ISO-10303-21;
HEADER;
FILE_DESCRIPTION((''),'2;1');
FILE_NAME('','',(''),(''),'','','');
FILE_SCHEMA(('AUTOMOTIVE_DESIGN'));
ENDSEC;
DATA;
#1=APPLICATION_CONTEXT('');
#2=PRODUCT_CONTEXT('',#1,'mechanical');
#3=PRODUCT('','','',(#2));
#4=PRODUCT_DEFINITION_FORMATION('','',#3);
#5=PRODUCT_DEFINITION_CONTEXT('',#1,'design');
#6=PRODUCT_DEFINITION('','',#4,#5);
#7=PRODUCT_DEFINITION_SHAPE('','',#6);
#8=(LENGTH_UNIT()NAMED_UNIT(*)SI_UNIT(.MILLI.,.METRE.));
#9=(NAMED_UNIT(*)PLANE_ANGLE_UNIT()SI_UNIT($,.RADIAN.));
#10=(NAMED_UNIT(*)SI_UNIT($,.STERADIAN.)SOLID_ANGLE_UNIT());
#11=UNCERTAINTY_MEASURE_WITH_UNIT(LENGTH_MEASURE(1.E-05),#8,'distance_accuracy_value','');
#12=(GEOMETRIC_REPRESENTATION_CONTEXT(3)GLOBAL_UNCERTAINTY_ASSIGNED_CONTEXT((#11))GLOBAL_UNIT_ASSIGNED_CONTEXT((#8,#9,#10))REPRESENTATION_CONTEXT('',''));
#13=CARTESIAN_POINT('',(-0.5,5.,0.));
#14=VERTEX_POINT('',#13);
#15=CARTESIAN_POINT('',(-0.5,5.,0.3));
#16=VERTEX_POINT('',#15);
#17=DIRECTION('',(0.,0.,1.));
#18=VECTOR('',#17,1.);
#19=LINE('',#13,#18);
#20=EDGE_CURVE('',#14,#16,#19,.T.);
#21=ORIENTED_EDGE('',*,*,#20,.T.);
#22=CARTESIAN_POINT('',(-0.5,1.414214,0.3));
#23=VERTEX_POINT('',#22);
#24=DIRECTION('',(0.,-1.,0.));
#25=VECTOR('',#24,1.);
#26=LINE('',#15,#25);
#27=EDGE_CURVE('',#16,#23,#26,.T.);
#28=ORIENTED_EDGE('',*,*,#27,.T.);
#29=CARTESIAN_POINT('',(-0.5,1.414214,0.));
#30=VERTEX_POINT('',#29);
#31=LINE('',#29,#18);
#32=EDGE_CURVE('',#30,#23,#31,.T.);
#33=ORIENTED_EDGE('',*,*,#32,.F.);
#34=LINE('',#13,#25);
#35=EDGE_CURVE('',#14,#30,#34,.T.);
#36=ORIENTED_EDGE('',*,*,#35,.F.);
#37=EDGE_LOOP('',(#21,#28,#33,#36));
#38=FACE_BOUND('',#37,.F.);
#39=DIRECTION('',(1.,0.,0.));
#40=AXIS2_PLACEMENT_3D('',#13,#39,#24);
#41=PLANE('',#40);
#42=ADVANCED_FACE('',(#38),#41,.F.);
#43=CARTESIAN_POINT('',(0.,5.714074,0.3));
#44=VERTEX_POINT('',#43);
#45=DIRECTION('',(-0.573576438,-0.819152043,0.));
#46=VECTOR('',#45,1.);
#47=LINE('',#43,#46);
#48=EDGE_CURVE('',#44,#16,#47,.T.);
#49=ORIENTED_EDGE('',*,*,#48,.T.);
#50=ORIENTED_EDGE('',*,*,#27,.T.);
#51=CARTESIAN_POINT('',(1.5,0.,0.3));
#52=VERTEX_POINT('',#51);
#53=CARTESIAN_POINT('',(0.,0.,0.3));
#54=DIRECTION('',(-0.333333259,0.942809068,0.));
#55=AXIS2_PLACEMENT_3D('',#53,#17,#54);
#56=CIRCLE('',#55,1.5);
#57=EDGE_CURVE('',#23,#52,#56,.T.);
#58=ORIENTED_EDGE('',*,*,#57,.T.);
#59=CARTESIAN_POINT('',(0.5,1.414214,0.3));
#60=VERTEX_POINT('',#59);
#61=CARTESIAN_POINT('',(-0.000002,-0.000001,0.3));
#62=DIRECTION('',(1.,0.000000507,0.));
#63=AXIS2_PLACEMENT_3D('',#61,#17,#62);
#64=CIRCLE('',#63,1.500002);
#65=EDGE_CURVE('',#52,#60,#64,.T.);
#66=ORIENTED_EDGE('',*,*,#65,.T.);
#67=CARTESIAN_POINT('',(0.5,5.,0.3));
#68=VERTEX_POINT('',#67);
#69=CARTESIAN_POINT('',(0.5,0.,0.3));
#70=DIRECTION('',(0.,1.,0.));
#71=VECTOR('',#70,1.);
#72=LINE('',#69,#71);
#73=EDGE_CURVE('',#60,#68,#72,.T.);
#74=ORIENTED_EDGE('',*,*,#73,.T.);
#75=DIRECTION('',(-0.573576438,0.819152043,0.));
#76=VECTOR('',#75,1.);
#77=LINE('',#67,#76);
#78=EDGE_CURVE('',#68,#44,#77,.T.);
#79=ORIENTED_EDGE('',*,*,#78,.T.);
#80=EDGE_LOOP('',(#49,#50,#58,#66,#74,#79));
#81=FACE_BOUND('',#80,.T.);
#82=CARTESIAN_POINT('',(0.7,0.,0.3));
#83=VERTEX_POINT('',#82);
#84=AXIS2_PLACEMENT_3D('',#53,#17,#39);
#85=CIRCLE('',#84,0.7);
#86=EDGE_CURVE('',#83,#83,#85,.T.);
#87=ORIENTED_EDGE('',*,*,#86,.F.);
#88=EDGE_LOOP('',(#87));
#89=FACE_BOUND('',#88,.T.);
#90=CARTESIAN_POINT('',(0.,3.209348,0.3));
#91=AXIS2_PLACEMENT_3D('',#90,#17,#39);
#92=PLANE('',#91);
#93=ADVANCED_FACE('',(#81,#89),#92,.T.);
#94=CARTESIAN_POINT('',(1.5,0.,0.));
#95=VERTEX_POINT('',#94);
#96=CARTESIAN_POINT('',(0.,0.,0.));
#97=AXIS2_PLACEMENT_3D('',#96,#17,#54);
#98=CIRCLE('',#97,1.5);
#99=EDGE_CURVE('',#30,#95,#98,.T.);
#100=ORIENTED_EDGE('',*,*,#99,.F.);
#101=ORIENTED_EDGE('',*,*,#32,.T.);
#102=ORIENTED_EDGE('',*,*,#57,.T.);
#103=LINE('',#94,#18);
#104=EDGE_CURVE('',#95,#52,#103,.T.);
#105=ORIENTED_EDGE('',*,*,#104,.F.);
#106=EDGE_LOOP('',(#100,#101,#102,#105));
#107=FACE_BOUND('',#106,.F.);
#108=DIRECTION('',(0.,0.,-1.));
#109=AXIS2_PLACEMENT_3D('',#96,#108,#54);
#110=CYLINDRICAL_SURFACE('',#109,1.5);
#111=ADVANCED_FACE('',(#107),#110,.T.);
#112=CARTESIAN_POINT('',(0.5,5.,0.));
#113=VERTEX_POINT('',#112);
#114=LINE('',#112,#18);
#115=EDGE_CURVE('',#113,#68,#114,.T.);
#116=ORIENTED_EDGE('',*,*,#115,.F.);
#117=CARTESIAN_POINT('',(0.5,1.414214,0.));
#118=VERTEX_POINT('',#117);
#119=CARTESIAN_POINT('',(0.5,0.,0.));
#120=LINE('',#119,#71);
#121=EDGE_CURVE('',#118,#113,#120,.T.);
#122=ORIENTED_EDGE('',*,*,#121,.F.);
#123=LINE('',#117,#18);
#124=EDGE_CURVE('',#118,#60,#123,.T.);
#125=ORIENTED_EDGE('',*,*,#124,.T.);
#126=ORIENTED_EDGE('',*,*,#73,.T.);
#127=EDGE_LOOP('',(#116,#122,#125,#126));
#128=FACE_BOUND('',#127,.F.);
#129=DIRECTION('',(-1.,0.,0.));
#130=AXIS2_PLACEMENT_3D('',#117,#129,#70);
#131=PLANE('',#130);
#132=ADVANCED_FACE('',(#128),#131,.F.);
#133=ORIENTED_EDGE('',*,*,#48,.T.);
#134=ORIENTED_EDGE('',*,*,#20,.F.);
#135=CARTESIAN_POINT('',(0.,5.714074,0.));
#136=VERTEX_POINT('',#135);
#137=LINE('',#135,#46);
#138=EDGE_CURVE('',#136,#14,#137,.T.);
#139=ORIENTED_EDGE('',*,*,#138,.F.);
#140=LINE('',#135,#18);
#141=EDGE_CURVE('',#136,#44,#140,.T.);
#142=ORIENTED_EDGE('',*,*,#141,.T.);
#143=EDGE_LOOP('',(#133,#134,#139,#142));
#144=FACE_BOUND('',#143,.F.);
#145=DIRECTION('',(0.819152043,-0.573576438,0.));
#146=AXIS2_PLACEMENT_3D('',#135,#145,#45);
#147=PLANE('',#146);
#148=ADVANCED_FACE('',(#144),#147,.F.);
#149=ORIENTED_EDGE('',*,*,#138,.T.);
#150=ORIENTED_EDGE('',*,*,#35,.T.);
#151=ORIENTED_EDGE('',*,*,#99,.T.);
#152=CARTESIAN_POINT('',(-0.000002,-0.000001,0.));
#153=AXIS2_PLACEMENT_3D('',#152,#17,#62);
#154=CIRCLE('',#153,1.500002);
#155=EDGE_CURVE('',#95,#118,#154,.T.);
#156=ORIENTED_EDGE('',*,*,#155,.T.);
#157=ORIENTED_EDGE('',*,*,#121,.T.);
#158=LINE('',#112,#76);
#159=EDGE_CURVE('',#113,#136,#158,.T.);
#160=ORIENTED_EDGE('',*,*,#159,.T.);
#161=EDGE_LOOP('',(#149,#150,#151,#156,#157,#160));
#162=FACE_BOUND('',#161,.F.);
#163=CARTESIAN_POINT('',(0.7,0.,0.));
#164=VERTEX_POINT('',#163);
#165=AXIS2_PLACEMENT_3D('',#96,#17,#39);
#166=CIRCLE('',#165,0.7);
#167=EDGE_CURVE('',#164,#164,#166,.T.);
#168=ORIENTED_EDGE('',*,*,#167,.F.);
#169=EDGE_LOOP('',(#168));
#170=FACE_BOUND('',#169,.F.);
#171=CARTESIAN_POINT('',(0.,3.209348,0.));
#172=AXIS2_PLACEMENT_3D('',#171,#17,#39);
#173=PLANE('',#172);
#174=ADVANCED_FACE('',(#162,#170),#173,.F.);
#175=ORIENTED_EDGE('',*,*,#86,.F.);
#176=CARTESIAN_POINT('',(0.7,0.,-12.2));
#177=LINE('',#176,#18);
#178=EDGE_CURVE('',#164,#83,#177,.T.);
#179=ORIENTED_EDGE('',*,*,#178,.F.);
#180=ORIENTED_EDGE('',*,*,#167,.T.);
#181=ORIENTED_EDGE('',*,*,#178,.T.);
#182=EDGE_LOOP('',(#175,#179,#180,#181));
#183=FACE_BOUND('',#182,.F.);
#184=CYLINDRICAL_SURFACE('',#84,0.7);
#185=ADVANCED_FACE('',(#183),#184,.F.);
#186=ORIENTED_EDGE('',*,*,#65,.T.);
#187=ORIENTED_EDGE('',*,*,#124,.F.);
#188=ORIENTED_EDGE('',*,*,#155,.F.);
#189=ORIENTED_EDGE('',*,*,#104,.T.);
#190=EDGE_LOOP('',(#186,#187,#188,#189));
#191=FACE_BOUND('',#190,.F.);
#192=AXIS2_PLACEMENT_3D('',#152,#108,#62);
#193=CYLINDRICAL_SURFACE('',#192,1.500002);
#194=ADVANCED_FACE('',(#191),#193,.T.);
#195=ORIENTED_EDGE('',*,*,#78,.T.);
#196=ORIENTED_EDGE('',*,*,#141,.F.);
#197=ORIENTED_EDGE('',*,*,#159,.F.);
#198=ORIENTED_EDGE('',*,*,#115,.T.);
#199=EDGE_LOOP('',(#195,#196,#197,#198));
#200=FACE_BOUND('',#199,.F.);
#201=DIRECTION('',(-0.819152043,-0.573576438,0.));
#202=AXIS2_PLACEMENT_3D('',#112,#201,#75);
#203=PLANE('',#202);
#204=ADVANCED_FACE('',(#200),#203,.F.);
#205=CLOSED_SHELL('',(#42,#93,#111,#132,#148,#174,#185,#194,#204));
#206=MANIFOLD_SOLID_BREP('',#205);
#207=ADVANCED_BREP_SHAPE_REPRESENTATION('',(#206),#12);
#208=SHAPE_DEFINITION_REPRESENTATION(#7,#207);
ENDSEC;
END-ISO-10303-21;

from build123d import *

# Parameters (mm, degrees)
F1_DEPTH = 0.3
F2_R     = 0.7
F3_DEPTH = 12.5


with BuildPart() as f1:
    # F0 (on Top) → F1 (new body)
    with BuildSketch(Plane.XY):
        with BuildLine():
            ThreePointArc((-0.5, 1.414214), (0, 1.5), (0.5, 1.414214))
            Line((0.5, 1.414214), (0.5, 5))
            Line((0.5, 5), (-0.5, 5))
            Line((-0.5, 5), (-0.5, 1.414214))
        make_face()
        Polygon((-0.5, 5), (0.5, 5), (0, 5.714074), align=None)
        with BuildLine():
            Line((0.5, 0), (0.5, 1.414214))
            ThreePointArc((0.5, 1.414214), (0, 1.5), (-0.5, 1.414214))
            Line((-0.5, 1.414214), (-0.5, 0))
            Line((-0.5, 0), (0.5, 0))
        make_face()
        with BuildLine():
            ThreePointArc((-0.5, 1.414214), (-0.866025, -1.224745), (1.5, 0))
            ThreePointArc((1.5, 0), (1.224745, 0.866025), (0.5, 1.414214))
            Line((0.5, 1.414214), (0.5, 0))
            Line((0.5, 0), (-0.5, 0))
            Line((-0.5, 0), (-0.5, 1.414214))
        make_face()
    extrude(amount=F1_DEPTH)

    # F2 (on face) → F3 (cut, symmetric)
    with BuildSketch(Plane.XY.offset(0.3)):
        Circle(F2_R)
    extrude(amount=F3_DEPTH, both=True, mode=Mode.SUBTRACT)


solid = f1.part
